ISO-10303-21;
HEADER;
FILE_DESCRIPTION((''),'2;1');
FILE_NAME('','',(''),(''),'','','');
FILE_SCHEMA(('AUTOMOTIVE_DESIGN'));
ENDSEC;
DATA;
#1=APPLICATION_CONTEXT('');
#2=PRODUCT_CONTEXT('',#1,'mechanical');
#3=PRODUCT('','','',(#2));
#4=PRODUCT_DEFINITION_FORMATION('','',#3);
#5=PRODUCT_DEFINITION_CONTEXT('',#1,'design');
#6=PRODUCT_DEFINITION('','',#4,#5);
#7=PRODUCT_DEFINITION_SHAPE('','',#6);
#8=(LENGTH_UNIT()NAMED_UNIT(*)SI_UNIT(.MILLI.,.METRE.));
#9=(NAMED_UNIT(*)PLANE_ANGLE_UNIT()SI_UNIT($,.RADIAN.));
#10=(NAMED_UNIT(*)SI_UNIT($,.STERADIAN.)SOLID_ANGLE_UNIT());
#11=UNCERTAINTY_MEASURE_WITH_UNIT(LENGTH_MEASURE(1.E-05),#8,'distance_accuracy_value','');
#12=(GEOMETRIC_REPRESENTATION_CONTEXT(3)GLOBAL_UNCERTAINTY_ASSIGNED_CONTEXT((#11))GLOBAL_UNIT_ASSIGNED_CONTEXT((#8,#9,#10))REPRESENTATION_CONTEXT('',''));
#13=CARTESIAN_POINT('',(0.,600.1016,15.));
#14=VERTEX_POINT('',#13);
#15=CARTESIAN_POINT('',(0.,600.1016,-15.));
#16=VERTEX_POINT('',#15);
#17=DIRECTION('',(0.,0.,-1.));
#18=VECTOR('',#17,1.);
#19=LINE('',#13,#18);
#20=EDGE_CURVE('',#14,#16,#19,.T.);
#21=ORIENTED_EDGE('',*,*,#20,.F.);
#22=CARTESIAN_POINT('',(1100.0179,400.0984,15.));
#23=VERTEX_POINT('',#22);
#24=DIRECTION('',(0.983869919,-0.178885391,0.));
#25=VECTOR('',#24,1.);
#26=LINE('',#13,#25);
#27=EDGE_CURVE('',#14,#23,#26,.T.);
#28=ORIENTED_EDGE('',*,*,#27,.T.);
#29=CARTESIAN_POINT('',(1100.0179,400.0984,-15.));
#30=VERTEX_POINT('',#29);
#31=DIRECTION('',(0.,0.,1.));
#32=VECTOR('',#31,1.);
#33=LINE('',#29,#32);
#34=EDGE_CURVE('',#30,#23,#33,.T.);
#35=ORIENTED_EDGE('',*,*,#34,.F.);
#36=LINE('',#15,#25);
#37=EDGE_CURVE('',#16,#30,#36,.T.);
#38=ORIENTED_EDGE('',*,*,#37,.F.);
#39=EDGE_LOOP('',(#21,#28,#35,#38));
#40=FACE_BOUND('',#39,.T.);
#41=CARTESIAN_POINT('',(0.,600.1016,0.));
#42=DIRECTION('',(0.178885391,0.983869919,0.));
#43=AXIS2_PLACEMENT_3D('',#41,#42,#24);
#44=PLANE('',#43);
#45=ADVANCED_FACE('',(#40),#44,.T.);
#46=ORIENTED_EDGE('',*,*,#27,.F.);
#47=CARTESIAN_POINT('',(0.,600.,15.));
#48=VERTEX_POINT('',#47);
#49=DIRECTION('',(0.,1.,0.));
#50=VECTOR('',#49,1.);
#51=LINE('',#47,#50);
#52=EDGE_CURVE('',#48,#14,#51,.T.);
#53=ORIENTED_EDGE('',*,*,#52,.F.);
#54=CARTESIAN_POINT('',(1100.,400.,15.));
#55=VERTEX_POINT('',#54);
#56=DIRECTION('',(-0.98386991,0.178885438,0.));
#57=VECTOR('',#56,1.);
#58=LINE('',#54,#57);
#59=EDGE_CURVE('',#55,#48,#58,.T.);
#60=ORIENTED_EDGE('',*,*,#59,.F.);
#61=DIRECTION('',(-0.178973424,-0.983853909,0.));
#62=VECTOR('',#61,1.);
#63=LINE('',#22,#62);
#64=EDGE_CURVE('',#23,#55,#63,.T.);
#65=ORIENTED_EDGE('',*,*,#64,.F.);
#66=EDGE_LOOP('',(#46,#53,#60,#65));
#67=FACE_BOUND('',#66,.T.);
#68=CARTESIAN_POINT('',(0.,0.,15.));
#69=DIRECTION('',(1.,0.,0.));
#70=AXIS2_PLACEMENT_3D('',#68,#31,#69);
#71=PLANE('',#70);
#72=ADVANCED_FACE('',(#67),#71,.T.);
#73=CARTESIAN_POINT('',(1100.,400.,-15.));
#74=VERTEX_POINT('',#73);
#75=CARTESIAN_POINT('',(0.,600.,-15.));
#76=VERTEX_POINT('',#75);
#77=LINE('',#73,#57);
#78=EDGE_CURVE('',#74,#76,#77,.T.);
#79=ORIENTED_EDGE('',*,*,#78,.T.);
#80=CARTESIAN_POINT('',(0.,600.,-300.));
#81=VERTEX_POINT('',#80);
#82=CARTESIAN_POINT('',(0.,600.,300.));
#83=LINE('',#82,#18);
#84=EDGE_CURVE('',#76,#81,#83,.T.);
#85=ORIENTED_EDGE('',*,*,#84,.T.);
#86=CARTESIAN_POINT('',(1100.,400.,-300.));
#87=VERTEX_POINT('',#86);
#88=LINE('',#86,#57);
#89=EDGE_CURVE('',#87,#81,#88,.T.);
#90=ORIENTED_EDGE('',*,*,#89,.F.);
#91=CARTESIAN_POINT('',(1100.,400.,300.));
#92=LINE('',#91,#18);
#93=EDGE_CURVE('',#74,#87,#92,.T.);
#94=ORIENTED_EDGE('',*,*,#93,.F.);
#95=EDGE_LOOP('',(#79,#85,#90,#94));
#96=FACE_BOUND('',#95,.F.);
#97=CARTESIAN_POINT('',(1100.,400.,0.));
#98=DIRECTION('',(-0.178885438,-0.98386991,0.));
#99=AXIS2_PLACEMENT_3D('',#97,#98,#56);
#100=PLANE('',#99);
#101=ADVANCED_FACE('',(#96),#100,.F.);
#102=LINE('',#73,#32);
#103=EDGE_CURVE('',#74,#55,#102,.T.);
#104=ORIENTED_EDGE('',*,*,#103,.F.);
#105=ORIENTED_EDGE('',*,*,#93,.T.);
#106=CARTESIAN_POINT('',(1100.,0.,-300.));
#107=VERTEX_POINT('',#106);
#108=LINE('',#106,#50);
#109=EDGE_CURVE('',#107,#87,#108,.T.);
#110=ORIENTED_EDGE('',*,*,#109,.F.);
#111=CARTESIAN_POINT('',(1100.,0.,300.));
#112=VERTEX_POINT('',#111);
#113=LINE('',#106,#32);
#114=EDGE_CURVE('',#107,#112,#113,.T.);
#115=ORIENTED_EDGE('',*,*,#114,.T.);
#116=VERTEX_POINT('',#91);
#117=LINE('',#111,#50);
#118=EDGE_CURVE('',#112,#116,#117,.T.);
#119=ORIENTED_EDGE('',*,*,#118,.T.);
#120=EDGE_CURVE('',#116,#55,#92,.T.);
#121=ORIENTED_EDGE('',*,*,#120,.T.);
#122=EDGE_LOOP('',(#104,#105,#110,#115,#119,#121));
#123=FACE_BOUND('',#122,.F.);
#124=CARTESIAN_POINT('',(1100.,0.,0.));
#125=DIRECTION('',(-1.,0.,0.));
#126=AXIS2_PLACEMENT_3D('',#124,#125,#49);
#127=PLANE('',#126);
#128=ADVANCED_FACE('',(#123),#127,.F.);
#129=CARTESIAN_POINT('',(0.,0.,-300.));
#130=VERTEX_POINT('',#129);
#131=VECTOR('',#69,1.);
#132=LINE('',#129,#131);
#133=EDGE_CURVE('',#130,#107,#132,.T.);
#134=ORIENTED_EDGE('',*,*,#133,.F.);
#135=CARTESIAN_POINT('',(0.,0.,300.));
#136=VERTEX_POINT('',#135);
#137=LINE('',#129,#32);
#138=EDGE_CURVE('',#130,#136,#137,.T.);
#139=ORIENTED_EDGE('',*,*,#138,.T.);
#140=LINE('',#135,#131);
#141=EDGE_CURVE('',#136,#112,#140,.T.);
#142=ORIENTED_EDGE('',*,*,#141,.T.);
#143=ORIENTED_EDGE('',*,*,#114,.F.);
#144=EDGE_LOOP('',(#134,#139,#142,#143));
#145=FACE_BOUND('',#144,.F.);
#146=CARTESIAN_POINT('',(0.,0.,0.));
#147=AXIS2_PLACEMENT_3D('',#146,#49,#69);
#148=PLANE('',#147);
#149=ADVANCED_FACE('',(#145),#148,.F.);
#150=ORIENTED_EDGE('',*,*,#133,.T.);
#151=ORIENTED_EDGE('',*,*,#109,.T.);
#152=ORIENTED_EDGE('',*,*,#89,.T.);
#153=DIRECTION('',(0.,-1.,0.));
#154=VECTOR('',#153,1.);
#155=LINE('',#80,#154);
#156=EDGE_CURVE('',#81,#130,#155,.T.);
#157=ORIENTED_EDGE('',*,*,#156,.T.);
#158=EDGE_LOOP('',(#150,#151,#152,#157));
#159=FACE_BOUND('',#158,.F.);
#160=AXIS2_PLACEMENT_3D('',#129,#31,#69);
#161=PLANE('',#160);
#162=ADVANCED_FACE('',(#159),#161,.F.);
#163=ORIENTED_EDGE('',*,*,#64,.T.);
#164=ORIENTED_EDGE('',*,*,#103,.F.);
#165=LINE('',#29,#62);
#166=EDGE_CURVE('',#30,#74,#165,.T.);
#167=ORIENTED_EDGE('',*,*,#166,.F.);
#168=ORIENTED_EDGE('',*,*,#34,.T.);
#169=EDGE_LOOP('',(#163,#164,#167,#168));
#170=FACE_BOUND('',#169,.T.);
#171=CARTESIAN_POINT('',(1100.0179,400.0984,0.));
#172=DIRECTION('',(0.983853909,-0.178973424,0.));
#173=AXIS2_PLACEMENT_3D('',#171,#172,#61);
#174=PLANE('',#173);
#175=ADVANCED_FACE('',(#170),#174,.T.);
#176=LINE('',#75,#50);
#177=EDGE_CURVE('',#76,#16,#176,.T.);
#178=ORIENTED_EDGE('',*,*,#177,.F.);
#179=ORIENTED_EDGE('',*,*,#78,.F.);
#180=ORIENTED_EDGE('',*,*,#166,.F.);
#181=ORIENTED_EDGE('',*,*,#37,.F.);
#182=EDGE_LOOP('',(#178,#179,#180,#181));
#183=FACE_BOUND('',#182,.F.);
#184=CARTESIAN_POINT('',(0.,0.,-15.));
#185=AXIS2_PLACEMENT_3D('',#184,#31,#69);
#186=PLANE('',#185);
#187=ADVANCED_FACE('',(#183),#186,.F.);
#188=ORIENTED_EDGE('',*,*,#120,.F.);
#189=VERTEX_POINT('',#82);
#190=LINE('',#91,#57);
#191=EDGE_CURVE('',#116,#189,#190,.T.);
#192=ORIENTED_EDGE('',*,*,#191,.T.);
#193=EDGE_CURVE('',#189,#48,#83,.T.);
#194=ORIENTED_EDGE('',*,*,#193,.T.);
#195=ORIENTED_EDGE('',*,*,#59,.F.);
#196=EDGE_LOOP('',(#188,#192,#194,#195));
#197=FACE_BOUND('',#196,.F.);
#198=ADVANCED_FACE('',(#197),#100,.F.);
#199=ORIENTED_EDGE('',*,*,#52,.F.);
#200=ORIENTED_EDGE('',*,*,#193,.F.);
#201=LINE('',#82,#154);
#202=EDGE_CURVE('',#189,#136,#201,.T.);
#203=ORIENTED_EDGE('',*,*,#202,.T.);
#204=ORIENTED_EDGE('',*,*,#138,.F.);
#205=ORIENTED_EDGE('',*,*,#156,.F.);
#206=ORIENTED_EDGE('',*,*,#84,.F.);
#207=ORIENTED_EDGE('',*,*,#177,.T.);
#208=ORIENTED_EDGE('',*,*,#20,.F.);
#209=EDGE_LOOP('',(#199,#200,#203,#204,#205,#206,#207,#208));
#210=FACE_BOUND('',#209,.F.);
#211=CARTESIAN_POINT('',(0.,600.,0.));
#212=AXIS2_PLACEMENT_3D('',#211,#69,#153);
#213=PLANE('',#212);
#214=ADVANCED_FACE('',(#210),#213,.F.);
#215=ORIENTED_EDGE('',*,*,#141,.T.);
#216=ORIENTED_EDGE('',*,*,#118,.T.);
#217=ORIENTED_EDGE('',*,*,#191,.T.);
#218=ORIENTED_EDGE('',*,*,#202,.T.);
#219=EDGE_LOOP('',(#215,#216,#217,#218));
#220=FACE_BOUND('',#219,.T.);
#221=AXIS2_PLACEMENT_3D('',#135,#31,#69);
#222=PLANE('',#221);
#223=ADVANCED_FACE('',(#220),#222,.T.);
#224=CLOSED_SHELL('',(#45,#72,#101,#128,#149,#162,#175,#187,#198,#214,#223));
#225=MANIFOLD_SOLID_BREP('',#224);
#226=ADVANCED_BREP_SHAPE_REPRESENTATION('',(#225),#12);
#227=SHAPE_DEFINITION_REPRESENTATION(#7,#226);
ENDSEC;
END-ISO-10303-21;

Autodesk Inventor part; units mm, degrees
ref_plane "YZ Plane" through (0, 0, 0) normal (1, 0, 0) x (0, 1, 0)
ref_plane "XZ Plane" through (0, 0, 0) normal (0, 1, 0) x (-1, 0, 0)
ref_plane "XY Plane" through (0, 0, 0) normal (0, 0, 1) x (1, 0, 0)
sketch "スケッチ1" plane through (0, 0, 0) normal (0, 0, 1) x (1, 0, 0)
  line L0 (0, 0) -> (1100, 0)
  line L1 (1100, 0) -> (1100, 400)
  line L2 (1100, 400) -> (0, 600)
  line L3 (0, 600) -> (0, 0)
  dimension "d0" = 600
  dimension "d1" = 1100
  dimension "d2" = 400
extrude "押し出し1" add sketch "スケッチ1" along normal mid plane 600
sketch "スケッチ2" plane through (0, 0, 0) normal (0, 0, 1) x (1, 0, 0)
  line L0 (1100, 400) -> (0, 600) projected
  line L1 (0, 600) -> (0, 600.1016)
  line L2 (0, 600.1016) -> (1100.0179, 400.0984)
  line L3 (1100.0179, 400.0984) -> (1100, 400)
  point P0 (0, 0)
  dimension "d5" = 0.1
extrude "押し出し2" add sketch "スケッチ2" along normal mid plane 30
properties part number "Slope 3"
